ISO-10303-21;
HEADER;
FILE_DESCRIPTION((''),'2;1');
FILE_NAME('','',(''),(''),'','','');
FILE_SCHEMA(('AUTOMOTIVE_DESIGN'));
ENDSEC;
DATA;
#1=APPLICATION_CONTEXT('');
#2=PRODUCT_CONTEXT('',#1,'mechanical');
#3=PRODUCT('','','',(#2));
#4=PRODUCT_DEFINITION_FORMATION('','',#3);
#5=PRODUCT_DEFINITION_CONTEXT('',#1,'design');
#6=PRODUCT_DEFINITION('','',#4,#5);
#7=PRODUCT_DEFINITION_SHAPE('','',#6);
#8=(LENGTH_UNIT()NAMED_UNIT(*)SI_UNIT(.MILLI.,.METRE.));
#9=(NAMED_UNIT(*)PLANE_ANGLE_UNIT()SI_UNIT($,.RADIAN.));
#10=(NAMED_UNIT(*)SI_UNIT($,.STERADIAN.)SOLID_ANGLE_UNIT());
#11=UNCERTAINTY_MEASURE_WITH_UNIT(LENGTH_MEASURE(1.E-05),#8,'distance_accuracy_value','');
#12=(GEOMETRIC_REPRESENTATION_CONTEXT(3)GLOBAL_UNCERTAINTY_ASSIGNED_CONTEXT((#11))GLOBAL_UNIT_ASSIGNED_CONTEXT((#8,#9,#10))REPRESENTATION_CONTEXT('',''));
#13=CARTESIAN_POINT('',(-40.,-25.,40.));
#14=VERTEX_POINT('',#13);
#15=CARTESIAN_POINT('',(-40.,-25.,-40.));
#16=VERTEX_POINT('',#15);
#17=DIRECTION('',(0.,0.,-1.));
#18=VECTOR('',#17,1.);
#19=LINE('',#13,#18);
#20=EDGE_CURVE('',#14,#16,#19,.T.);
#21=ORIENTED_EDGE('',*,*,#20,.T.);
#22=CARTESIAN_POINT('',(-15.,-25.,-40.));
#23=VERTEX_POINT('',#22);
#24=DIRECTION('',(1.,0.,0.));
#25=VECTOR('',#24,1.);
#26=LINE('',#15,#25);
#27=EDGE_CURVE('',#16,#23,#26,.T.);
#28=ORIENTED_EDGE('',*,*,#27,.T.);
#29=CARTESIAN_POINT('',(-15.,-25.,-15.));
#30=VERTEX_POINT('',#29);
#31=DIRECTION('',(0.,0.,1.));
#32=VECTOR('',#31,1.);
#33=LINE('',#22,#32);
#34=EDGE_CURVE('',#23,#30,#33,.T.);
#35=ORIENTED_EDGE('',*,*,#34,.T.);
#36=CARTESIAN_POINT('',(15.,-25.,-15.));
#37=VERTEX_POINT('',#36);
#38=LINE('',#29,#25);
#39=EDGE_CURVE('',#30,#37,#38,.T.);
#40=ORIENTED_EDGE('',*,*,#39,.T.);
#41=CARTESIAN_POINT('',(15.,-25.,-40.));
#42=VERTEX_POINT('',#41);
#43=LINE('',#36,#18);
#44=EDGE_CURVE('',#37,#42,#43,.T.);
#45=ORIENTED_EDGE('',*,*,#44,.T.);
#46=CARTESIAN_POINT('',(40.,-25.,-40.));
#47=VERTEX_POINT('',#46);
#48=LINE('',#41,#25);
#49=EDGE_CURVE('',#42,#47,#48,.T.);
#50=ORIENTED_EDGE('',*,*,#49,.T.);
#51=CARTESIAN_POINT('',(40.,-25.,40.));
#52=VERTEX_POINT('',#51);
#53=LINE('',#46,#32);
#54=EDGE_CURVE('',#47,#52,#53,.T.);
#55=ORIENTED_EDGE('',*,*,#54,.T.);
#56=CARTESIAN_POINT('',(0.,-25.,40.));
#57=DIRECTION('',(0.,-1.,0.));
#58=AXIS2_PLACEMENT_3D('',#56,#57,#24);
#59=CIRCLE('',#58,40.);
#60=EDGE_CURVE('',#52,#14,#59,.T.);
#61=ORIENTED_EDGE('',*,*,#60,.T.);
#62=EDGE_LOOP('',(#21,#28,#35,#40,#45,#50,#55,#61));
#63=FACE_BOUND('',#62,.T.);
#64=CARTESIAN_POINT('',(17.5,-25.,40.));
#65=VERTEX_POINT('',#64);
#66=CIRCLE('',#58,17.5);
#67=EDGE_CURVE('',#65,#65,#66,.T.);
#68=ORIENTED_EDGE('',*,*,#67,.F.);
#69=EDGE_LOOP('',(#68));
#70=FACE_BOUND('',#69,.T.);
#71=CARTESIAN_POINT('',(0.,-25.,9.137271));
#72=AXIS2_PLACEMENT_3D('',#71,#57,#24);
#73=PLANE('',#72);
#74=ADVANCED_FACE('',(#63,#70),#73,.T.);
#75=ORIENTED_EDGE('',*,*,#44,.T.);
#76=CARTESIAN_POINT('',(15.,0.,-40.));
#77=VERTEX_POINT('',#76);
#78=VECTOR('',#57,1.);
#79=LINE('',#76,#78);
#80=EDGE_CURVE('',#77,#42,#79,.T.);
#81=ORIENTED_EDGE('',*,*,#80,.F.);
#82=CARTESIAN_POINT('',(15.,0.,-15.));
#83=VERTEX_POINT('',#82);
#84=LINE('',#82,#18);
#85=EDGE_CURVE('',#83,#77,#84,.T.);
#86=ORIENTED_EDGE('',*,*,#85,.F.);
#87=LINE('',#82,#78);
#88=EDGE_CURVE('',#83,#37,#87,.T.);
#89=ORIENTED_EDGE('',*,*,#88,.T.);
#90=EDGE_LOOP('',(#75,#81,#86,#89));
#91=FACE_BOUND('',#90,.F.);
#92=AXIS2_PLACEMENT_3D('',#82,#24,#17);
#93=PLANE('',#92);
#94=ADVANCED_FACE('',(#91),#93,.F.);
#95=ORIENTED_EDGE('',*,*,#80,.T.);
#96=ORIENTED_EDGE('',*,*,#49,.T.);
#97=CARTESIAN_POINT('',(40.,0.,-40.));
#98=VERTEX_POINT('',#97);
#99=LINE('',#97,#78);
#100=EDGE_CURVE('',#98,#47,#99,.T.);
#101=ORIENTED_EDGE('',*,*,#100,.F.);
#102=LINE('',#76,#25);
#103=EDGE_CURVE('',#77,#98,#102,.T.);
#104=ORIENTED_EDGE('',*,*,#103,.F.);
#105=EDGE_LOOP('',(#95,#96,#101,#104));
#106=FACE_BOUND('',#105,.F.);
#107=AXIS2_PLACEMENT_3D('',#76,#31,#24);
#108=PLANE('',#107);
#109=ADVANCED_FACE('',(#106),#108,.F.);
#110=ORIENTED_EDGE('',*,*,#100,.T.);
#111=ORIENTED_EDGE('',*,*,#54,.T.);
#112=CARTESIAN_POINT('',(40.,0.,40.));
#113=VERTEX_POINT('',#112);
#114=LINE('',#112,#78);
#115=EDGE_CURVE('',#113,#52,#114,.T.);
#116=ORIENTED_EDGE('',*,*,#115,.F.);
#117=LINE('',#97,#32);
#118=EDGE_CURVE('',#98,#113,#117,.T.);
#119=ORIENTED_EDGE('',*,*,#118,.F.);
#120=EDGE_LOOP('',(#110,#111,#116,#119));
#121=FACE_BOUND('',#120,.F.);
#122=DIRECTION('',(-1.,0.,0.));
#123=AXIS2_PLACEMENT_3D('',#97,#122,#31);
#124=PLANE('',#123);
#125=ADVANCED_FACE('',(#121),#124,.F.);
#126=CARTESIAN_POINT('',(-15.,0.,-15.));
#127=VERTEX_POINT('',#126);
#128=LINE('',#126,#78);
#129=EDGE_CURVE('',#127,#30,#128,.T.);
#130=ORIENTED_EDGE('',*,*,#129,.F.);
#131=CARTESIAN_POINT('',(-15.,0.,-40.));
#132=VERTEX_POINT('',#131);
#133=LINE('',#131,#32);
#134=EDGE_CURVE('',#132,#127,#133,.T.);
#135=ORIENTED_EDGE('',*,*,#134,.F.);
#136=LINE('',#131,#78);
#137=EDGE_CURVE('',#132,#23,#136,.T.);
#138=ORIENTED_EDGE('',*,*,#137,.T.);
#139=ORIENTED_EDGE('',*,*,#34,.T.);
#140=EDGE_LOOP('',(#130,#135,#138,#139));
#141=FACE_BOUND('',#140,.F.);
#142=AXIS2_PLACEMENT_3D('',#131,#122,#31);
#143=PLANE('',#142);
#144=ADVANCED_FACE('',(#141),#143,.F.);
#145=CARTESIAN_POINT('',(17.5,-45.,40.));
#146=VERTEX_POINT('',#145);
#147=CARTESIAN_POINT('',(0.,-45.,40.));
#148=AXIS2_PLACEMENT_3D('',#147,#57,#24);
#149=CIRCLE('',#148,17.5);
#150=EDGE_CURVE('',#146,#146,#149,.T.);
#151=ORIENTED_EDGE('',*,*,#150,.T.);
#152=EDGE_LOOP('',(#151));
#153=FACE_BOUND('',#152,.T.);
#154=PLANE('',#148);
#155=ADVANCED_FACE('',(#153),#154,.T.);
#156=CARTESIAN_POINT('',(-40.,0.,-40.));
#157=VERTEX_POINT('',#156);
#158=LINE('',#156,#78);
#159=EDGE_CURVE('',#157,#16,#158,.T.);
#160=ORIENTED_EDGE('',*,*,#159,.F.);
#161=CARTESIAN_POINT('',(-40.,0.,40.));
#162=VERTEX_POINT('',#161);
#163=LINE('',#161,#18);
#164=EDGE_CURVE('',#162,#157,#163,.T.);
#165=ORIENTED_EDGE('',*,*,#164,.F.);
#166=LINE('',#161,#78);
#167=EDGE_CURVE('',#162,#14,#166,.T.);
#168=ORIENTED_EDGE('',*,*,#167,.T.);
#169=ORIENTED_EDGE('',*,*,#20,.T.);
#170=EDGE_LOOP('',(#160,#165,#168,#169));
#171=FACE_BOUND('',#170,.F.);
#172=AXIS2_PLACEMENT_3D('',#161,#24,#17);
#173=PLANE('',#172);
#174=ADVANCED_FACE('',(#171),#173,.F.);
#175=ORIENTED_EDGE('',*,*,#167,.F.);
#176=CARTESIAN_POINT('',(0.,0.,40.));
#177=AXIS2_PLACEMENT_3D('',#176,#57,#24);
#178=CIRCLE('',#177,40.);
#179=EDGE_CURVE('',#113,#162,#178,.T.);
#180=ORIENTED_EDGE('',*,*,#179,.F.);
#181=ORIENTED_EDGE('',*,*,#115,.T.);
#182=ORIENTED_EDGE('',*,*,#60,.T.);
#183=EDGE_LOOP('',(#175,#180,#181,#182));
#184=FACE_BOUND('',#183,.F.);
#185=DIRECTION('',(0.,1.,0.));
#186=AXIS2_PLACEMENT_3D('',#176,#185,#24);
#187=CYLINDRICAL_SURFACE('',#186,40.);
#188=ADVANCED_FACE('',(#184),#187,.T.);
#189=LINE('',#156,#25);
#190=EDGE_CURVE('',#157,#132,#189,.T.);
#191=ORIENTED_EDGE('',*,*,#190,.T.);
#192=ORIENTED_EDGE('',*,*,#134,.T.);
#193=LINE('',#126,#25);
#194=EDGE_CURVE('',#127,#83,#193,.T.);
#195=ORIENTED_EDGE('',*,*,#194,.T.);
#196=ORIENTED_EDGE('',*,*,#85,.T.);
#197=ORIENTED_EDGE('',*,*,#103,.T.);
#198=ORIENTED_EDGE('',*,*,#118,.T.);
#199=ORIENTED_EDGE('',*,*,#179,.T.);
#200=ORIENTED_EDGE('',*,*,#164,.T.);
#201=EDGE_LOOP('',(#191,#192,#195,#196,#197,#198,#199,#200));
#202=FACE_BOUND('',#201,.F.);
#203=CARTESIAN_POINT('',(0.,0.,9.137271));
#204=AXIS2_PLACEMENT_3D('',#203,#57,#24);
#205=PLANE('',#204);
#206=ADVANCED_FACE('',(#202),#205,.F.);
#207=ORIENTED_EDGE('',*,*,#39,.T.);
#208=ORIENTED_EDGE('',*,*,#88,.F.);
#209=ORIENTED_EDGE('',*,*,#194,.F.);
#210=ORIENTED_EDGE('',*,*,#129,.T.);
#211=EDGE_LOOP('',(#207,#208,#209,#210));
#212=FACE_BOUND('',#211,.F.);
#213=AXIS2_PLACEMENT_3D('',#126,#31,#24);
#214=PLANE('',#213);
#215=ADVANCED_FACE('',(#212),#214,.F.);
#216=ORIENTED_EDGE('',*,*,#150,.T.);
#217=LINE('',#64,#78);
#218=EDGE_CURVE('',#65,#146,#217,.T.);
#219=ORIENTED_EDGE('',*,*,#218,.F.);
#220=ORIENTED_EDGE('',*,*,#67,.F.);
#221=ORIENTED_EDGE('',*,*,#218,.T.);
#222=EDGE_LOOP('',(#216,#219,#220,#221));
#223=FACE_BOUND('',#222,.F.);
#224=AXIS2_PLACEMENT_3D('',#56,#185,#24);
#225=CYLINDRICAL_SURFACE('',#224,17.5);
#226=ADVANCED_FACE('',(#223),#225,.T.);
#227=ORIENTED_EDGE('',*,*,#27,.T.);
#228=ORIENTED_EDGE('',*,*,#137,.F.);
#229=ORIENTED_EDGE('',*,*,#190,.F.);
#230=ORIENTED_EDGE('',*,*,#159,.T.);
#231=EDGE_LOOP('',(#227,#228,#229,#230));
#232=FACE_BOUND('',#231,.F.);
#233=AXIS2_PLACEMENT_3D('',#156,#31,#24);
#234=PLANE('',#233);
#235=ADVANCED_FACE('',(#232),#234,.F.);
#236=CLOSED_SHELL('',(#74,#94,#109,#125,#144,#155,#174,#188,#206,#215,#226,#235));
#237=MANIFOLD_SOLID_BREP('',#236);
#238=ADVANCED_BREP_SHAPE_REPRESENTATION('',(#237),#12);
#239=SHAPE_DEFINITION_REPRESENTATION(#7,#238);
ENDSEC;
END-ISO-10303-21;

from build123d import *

# Parameters (mm, degrees)
F1_DEPTH = 25
F2_R     = 17.5
F3_DEPTH = 20


with BuildPart() as f1:
    # F0 (on Front) → F1 (new body)
    with BuildSketch(Plane.XZ):
        with BuildLine():
            Line((15, -40), (40, -40))
            Line((40, -40), (40, 40))
            ThreePointArc((40, 40), (0, 80), (-40, 40))
            Line((-40, 40), (-40, -40))
            Line((-40, -40), (-15, -40))
            Line((-15, -40), (-15, -15))
            Line((-15, -15), (15, -15))
            Line((15, -15), (15, -40))
        make_face()
    extrude(amount=F1_DEPTH)

    # F2 (on face) → F3 (join)
    with BuildSketch(Plane.XZ.offset(25)):
        with Locations((0, 40)):
            Circle(F2_R)
    extrude(amount=F3_DEPTH)


solid = f1.part
